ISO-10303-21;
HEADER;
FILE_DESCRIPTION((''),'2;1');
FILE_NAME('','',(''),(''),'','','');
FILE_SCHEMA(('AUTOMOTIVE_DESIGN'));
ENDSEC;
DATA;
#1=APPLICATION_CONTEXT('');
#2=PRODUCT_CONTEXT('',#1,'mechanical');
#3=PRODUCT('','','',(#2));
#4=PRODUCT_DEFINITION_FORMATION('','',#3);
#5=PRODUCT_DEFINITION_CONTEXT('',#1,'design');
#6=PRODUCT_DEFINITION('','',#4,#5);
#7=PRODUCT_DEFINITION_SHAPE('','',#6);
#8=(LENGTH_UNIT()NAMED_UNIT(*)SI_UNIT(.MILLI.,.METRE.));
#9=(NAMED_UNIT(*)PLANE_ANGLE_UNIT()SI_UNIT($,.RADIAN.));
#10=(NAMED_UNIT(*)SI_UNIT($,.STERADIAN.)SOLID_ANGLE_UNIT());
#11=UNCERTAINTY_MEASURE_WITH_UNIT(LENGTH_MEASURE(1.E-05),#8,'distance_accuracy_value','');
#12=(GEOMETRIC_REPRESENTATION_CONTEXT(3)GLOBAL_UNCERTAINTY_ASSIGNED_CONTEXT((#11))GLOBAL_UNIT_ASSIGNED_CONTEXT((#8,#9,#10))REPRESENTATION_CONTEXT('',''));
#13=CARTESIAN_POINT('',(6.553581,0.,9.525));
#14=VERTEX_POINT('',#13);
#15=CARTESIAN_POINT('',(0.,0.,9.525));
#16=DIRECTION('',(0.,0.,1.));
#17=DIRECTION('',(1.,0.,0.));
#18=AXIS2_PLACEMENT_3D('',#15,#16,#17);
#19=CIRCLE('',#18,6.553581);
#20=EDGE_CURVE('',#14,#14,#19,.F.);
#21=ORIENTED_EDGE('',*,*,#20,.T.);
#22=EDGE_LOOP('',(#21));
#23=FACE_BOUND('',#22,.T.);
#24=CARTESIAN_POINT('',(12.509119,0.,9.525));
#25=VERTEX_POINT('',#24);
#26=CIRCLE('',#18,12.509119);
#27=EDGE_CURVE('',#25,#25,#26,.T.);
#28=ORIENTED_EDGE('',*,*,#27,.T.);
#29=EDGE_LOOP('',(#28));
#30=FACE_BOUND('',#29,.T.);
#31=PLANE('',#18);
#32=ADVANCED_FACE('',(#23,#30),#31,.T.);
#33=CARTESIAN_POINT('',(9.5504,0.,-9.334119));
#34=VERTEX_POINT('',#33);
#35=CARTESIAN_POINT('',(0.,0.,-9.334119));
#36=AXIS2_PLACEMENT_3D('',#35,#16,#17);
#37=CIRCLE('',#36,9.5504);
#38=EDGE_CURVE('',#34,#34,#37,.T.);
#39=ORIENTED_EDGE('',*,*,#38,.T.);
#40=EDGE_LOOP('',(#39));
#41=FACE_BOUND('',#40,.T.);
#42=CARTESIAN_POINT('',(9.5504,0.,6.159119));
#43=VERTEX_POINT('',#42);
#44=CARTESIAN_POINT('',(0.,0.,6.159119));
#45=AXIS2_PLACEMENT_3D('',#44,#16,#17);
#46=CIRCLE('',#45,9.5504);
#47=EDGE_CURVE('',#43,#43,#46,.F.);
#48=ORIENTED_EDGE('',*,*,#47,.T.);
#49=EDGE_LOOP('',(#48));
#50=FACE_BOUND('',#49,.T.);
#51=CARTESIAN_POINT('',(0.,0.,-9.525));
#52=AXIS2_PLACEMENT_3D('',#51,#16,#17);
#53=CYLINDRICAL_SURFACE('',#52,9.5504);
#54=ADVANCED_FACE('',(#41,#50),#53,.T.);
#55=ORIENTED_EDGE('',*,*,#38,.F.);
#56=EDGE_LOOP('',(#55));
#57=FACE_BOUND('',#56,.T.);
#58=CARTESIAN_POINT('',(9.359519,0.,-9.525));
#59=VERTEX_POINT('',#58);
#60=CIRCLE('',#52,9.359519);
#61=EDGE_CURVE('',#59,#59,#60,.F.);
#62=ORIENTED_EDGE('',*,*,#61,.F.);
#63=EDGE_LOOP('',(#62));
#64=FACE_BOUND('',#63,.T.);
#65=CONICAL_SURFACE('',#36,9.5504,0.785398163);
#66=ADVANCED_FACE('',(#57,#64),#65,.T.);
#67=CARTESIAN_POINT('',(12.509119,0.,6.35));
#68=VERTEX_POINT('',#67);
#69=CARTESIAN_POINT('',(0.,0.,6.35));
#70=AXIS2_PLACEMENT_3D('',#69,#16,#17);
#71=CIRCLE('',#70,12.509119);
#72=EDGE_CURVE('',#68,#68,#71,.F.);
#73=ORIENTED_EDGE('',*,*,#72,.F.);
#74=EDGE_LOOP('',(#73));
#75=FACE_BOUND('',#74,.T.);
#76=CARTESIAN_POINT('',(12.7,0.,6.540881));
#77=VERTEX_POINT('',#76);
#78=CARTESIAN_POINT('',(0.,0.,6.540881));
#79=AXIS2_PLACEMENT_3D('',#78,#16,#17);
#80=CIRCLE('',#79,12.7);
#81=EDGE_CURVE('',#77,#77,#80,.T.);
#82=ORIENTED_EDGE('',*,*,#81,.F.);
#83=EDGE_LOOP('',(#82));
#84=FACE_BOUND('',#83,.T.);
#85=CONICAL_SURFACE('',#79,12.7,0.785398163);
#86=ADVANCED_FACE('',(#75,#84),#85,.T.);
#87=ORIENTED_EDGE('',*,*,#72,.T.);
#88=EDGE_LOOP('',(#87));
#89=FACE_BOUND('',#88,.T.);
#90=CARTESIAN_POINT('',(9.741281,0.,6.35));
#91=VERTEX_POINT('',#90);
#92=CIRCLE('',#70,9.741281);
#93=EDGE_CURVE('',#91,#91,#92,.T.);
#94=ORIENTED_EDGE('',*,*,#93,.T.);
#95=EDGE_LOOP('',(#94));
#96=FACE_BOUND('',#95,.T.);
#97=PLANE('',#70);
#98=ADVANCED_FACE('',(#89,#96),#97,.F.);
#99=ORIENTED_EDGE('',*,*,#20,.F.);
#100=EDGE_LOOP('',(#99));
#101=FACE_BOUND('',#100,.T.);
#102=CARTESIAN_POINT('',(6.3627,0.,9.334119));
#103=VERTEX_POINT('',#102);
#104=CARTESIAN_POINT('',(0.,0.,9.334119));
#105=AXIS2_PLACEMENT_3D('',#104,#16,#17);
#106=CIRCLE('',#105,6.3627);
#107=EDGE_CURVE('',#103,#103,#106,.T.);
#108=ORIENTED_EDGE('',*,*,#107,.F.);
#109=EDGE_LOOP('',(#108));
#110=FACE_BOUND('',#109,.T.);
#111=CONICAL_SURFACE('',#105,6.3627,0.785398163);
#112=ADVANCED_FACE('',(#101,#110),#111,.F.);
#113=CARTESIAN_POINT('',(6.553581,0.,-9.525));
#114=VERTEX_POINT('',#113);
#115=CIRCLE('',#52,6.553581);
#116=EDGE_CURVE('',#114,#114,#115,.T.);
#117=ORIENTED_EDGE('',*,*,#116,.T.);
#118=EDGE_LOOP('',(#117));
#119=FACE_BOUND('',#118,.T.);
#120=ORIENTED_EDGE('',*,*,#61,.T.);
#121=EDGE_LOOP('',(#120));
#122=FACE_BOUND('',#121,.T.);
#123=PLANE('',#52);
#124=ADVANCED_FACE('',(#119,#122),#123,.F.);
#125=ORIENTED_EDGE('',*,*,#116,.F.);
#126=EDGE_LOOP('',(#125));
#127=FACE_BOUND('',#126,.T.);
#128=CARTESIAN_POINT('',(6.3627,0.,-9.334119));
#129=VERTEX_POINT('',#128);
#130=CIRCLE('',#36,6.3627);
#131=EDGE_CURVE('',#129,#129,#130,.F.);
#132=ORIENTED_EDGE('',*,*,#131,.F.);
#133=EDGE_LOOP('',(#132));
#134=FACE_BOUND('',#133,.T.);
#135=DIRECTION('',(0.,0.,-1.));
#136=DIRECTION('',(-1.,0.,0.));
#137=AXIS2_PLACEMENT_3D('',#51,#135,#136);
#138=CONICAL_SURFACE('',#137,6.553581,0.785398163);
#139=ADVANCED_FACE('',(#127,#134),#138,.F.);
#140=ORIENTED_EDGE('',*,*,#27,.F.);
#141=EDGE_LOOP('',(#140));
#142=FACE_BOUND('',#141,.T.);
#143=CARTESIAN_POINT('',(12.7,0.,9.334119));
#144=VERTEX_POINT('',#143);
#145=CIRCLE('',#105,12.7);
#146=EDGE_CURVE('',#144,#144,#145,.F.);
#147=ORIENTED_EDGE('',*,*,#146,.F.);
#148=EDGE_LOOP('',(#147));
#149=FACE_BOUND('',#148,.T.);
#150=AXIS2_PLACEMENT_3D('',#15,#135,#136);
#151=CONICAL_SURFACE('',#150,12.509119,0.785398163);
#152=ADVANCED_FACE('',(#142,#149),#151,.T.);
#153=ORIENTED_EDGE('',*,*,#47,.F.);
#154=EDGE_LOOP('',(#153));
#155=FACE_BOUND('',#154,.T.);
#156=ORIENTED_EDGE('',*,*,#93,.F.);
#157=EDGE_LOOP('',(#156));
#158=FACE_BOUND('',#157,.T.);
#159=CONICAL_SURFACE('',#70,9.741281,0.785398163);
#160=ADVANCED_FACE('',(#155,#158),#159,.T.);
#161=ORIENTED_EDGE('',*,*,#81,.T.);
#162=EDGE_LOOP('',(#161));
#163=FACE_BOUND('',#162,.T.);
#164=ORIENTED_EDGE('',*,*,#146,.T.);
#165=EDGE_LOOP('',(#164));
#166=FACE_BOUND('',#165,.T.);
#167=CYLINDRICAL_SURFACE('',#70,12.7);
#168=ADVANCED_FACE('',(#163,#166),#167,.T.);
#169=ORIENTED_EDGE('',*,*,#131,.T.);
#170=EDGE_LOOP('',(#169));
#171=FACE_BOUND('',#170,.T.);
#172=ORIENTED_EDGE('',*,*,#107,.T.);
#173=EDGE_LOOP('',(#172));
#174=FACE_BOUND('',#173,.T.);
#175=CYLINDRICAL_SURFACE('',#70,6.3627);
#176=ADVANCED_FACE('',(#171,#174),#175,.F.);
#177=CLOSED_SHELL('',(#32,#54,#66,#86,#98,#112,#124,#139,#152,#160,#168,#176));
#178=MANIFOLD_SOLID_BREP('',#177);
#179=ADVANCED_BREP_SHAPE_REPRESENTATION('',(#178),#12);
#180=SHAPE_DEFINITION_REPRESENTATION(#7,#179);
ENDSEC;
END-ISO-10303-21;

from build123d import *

# Parameters (mm, degrees)
BOSS_EXTRUDE1_START = 9.525
SKETCH3_R           = 12.7
SKETCH3_R_2         = 6.3627
BOSS_EXTRUDE1_DEPTH = 3.175
BOSS_EXTRUDE2_START = 6.35
SKETCH4_R           = 9.5504
SKETCH4_R_2         = 6.3627
BOSS_EXTRUDE2_DEPTH = 15.875
CHAMFER1_SIZE       = 0.190881


with BuildPart() as part:
    # Sketch3 → Boss-Extrude1 (new body)
    with BuildSketch(Plane.XY.offset(BOSS_EXTRUDE1_START)):
        Circle(SKETCH3_R)
        Circle(SKETCH3_R_2, mode=Mode.SUBTRACT)
    extrude(amount=-BOSS_EXTRUDE1_DEPTH)

    # Sketch4 → Boss-Extrude2 (add)
    with BuildSketch(Plane.XY.offset(BOSS_EXTRUDE2_START)):
        Circle(SKETCH4_R)
        Circle(SKETCH4_R_2, mode=Mode.SUBTRACT)
    extrude(amount=-BOSS_EXTRUDE2_DEPTH)

    # Chamfer1
    chamfer1_edges = [part.edges().sort_by_distance(p)[0] for p in [
        (-6.3627, 0, -9.525),
        (-9.5504, 0, 6.35),
        (-12.7, 0, 9.525),
        (-12.7, 0, 6.35),
        (-6.3627, 0, 9.525),
        (-9.5504, 0, -9.525),
    ]]
    chamfer(chamfer1_edges, length=CHAMFER1_SIZE)


solid = part.part
